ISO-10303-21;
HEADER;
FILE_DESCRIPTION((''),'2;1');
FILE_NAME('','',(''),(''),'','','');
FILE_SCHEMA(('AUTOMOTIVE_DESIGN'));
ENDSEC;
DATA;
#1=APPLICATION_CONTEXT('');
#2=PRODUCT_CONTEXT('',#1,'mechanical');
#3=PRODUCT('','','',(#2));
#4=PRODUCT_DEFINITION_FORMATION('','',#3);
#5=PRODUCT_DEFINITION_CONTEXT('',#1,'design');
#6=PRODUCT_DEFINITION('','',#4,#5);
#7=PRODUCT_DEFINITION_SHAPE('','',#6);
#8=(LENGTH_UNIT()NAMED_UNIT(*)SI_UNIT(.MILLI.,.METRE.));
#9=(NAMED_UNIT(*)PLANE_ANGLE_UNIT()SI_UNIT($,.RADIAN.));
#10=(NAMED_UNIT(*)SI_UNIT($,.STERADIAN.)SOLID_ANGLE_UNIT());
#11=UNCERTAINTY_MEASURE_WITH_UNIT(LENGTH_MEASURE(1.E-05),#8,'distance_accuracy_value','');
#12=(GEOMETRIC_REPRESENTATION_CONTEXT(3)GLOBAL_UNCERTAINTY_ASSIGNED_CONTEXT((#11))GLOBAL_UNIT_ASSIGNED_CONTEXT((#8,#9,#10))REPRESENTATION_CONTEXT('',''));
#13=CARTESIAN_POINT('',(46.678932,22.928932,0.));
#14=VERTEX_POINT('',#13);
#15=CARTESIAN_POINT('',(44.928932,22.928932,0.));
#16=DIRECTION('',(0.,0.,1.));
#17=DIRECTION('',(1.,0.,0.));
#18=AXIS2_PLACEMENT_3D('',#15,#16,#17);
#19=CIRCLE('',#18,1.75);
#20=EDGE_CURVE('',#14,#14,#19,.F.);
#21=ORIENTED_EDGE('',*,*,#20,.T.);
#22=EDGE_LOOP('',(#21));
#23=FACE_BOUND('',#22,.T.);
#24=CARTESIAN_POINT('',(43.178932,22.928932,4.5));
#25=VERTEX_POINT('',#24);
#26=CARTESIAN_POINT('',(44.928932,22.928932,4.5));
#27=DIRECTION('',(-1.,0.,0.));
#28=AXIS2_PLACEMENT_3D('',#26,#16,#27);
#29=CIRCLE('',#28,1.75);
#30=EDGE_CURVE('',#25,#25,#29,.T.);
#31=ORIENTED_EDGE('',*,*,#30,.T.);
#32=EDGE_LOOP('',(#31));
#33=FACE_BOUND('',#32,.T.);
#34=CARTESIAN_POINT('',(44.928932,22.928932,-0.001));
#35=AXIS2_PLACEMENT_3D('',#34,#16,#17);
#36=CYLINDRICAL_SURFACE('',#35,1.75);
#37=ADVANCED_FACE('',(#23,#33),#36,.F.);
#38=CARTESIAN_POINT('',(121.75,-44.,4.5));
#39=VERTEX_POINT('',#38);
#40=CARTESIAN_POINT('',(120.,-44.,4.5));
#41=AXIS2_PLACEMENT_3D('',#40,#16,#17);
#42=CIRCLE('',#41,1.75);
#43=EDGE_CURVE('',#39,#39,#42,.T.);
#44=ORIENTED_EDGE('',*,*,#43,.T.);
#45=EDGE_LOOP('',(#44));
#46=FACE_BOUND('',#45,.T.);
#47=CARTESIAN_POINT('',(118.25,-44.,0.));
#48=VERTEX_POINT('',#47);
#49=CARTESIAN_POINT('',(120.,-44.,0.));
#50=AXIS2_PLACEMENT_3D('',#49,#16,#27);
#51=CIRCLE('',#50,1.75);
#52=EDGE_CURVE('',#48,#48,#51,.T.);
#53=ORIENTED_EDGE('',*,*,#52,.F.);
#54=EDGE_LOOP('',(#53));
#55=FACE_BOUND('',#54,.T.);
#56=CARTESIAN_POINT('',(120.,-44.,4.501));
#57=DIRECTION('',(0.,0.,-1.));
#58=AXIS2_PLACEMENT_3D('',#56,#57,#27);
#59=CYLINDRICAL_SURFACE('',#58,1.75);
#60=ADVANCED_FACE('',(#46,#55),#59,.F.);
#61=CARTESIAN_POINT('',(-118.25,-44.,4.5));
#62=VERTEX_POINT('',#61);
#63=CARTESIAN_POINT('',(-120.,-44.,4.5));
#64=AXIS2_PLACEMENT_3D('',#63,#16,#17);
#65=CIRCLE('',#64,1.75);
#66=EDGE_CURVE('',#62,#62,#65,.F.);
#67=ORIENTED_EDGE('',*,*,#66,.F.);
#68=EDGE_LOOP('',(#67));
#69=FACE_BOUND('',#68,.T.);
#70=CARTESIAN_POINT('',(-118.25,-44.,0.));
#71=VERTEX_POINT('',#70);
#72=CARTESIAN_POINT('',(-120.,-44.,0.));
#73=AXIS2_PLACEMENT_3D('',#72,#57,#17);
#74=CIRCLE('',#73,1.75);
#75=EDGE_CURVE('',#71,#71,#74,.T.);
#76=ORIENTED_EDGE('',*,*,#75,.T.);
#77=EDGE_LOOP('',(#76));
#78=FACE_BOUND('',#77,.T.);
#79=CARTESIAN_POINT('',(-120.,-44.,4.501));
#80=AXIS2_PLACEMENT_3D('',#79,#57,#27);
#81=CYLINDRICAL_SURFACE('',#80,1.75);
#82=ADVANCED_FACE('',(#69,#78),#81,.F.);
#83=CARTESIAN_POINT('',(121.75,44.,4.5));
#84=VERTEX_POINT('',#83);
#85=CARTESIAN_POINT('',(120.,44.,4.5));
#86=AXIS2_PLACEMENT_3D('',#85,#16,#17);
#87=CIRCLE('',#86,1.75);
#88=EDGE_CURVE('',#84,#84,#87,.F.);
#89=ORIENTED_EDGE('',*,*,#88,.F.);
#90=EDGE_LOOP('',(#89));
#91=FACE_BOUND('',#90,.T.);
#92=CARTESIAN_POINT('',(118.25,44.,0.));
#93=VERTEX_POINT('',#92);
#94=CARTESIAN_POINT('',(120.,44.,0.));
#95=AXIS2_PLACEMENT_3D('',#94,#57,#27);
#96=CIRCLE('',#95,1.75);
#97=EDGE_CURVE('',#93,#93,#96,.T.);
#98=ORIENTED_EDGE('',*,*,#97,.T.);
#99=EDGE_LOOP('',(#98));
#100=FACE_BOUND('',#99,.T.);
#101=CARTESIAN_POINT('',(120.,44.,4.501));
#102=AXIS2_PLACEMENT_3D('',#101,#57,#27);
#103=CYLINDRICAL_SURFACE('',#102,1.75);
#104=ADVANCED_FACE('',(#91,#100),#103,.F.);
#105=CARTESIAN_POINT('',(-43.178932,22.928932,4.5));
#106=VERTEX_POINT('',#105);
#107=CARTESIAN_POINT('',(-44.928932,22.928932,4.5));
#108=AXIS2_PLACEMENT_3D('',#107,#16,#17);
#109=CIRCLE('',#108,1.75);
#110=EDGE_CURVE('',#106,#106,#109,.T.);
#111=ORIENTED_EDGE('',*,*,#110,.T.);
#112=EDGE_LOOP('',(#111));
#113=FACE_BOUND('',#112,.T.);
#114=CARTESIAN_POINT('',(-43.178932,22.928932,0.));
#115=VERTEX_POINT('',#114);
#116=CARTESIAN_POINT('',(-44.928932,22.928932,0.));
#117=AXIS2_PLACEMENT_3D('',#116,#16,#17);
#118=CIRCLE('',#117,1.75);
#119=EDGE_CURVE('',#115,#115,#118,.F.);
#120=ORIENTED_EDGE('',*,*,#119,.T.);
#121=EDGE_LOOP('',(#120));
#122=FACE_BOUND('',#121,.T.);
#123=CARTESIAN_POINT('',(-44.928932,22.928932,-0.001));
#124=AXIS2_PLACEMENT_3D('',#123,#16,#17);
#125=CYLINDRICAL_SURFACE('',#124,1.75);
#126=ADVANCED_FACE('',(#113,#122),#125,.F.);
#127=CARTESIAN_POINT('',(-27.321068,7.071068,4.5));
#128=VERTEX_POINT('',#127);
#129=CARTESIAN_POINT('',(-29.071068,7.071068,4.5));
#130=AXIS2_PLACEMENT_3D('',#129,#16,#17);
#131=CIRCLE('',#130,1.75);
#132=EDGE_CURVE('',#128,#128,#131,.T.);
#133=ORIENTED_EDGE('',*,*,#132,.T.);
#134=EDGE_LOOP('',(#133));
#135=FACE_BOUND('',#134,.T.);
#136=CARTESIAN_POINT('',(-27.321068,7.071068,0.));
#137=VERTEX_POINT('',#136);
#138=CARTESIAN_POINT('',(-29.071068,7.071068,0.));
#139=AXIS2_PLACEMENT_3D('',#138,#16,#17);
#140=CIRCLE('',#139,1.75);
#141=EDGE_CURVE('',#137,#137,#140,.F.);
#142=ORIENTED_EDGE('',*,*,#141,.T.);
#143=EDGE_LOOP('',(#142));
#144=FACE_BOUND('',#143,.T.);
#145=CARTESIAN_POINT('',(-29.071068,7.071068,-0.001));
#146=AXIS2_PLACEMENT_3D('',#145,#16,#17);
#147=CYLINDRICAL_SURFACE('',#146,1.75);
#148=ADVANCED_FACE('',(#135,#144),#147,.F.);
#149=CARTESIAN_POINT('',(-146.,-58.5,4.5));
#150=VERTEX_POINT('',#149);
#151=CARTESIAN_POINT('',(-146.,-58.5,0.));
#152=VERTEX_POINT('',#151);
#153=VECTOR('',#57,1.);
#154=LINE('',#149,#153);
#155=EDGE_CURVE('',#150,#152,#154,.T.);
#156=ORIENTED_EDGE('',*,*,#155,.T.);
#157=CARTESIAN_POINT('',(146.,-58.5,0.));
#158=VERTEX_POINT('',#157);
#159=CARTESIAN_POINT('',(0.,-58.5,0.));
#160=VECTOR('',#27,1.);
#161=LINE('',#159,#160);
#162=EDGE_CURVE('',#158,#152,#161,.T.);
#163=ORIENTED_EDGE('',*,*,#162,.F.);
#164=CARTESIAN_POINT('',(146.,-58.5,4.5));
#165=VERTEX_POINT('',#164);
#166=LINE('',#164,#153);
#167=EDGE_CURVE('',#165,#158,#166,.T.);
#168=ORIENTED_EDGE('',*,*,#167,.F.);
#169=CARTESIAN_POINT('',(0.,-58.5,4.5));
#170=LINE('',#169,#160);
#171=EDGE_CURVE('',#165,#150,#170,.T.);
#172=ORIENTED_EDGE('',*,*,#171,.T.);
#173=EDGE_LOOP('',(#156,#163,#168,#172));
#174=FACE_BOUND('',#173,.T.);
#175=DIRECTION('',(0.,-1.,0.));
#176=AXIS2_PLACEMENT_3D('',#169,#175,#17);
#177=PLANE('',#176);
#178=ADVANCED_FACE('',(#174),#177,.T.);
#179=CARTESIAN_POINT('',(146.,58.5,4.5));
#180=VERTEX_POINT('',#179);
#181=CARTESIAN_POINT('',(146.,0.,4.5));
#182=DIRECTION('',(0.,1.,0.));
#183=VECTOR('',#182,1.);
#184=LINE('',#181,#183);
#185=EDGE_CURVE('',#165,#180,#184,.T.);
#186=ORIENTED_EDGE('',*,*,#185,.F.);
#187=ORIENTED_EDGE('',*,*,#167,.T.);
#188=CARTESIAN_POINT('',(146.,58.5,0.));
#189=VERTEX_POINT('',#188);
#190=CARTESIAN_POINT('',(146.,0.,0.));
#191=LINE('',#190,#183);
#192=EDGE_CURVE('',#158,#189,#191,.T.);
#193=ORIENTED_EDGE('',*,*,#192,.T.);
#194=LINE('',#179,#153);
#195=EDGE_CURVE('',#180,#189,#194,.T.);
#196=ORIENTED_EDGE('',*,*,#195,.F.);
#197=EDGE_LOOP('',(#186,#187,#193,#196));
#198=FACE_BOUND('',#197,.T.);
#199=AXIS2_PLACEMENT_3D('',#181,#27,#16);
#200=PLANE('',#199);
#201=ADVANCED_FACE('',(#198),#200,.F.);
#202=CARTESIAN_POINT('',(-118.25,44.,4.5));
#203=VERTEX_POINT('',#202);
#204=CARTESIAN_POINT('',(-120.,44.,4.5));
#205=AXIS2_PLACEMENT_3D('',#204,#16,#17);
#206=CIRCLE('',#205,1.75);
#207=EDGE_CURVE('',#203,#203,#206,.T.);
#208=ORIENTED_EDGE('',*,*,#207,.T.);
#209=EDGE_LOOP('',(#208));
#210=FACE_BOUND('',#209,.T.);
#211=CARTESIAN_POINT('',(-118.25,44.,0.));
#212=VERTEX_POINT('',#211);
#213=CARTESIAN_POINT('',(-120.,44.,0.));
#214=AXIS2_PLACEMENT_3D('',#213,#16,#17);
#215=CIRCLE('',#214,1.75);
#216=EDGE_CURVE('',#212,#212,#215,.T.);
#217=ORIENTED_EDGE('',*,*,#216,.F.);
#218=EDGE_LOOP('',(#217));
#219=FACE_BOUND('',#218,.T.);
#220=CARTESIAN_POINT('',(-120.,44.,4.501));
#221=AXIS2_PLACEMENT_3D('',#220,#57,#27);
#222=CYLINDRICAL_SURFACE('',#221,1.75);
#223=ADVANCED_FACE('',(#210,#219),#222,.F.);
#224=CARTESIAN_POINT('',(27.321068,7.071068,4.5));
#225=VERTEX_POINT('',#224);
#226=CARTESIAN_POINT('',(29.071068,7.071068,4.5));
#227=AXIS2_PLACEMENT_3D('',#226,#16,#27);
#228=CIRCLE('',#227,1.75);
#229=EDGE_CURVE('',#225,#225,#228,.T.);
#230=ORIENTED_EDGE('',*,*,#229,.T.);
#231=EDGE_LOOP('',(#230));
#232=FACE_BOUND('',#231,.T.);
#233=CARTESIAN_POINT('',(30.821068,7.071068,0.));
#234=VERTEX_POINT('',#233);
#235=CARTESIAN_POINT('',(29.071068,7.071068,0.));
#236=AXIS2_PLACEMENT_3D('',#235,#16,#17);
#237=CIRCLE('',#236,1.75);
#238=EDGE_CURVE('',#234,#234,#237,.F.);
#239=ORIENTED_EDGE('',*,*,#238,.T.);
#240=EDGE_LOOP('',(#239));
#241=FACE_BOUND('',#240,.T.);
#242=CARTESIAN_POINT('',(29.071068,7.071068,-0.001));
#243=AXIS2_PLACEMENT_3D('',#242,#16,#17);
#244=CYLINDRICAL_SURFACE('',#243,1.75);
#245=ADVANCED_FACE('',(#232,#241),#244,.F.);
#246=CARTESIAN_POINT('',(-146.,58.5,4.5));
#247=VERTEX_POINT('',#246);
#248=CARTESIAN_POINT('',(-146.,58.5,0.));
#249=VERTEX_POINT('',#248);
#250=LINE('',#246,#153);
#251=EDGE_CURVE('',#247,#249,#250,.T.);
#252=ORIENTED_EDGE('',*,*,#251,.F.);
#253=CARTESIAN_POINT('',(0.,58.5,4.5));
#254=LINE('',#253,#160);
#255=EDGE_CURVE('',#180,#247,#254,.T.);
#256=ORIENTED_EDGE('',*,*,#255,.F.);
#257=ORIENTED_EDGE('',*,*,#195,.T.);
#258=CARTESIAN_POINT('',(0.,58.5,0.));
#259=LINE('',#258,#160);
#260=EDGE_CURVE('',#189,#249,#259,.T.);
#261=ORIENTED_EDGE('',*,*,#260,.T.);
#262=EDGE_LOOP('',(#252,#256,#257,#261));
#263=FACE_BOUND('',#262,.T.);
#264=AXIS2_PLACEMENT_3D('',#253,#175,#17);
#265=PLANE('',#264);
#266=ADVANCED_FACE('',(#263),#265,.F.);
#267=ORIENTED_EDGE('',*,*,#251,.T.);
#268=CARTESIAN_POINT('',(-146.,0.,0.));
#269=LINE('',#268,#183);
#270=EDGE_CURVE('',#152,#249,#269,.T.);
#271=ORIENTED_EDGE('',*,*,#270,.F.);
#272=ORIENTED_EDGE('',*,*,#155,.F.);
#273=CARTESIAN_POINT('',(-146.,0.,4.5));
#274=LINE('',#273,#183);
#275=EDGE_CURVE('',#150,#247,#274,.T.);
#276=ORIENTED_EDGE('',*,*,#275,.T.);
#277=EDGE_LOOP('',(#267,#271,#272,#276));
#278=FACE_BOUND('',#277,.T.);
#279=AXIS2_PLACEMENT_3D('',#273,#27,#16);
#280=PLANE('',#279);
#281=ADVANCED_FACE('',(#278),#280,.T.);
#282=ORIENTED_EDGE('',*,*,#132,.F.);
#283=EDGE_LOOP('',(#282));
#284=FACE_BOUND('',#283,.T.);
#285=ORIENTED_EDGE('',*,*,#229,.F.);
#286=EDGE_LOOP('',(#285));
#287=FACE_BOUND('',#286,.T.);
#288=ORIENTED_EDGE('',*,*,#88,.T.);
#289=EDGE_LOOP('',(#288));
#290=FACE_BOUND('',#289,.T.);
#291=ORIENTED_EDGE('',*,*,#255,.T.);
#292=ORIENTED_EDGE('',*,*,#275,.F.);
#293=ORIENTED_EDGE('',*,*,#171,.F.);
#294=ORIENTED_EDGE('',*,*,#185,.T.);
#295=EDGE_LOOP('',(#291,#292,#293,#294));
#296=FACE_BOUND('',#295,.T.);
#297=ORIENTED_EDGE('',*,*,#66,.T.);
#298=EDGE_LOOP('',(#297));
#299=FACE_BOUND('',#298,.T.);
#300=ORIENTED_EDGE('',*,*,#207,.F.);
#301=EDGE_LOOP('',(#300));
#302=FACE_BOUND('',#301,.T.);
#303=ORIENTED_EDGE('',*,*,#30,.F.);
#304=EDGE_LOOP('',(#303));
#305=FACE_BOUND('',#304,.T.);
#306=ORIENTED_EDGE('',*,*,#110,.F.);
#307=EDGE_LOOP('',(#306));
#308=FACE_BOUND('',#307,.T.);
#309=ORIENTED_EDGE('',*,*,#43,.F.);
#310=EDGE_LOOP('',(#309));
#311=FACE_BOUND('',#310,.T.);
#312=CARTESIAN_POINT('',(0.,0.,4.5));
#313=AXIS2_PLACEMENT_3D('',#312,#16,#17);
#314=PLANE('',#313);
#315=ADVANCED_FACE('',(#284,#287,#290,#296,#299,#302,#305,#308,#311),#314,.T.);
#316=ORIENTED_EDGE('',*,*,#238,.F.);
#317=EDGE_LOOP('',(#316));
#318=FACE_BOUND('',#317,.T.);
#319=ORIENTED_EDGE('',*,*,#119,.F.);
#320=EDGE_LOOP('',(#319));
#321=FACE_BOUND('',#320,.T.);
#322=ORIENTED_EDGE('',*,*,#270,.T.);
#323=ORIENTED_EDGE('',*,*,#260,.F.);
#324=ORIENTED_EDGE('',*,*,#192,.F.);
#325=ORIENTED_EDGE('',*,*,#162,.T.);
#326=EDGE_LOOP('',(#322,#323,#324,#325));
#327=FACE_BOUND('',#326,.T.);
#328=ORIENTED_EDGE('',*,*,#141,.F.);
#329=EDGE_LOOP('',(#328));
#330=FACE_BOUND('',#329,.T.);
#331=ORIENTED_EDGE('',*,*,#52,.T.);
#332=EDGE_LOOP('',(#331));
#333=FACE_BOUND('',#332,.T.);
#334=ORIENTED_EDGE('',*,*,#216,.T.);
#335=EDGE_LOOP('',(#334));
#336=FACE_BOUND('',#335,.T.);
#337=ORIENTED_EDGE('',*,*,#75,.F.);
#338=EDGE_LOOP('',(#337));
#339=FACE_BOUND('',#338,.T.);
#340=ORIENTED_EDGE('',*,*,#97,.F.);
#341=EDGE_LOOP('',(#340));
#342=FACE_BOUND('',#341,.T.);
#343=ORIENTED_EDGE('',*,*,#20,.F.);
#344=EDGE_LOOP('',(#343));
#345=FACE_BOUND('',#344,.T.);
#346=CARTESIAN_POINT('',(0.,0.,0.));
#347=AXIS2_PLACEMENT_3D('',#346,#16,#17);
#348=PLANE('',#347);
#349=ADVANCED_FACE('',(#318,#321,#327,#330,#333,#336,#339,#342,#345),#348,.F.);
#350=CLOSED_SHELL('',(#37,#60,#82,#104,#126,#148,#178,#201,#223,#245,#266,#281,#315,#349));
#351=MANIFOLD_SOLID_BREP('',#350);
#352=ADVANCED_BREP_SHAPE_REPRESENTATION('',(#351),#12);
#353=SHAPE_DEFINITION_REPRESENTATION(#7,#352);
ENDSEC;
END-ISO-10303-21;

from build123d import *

# Parameters (mm, degrees)
SKETCH1_W               = 292
SKETCH1_H               = 117
BOSS_EXTRUDE1_DEPTH     = 4.5
CUT_EXTRUDE1_REACH      = 159.348
SKETCH1_3_R             = 1.75
MIRROR3_COPY_1_REACH    = 159.348
MIRROR3_COPY_1_SKETCH_R = 1.75
MIRROR3_COPY_2_REACH    = 159.348
MIRROR3_COPY_2_SKETCH_R = 1.75
CUT_EXTRUDE2_REACH      = 159.348
SKETCH2_R               = 1.75


with BuildPart() as part:
    # Sketch1 → Boss-Extrude1 (new body)
    with BuildSketch(Plane.XY):
        Rectangle(SKETCH1_W, SKETCH1_H)
    extrude(amount=BOSS_EXTRUDE1_DEPTH)

    # Sketch1<3> → Cut-Extrude1 (cut, up to next)
    with BuildSketch(Plane.XY, mode=Mode.PRIVATE) as cut_extrude1_sk1:
        with Locations((-120, 44)):
            Circle(SKETCH1_3_R)
    cut_extrude1_tool1 = extrude(cut_extrude1_sk1.sketch, amount=CUT_EXTRUDE1_REACH, mode=Mode.PRIVATE) & part.part
    cut_extrude1 = cut_extrude1_tool1.solids().sort_by_distance((-120, 44, 0))[0]
    add(cut_extrude1, mode=Mode.SUBTRACT)

    # Mirror2: Cut-Extrude1 across plane
    add(cut_extrude1.mirror(Plane.ZX), mode=Mode.SUBTRACT)

    # Mirror3 copy 1 sketch → Mirror3 copy 1 (cut, up to next)
    with BuildSketch(Plane(origin=(0, 0, 0), x_dir=(-1, 0, 0), z_dir=(0, 0, 1)), mode=Mode.PRIVATE) as mirror3_copy_1_sk1:
        with Locations((-120, 44)):
            Circle(MIRROR3_COPY_1_SKETCH_R)
    mirror3_copy_1_tool1 = extrude(mirror3_copy_1_sk1.sketch, amount=MIRROR3_COPY_1_REACH, mode=Mode.PRIVATE) & part.part
    add(mirror3_copy_1_tool1.solids().sort_by_distance((120, -44, 0))[0], mode=Mode.SUBTRACT)

    # Mirror3 copy 2 sketch → Mirror3 copy 2 (cut, up to next)
    with BuildSketch(Plane(origin=(0, 0, 0), x_dir=(-1, 0, 0), z_dir=(0, 0, 1)), mode=Mode.PRIVATE) as mirror3_copy_2_sk1:
        with Locations((-120, -44)):
            Circle(MIRROR3_COPY_2_SKETCH_R)
    mirror3_copy_2_tool1 = extrude(mirror3_copy_2_sk1.sketch, amount=MIRROR3_COPY_2_REACH, mode=Mode.PRIVATE) & part.part
    add(mirror3_copy_2_tool1.solids().sort_by_distance((120, 44, 0))[0], mode=Mode.SUBTRACT)

    # Sketch2 → Cut-Extrude2 (cut, up to next)
    with BuildSketch(Plane.XY.offset(4.5), mode=Mode.PRIVATE) as cut_extrude2_sk1:
        with Locations((-29.071067812, 7.071067812)):
            Circle(SKETCH2_R)
    cut_extrude2_tool1 = extrude(cut_extrude2_sk1.sketch, amount=-CUT_EXTRUDE2_REACH, mode=Mode.PRIVATE) & part.part
    # Sketch2 → Cut-Extrude2 (cut, up to next)
    with BuildSketch(Plane.XY.offset(4.5), mode=Mode.PRIVATE) as cut_extrude2_sk2:
        with Locations((-44.928932188, 22.928932188)):
            Circle(SKETCH2_R)
    cut_extrude2_tool2 = extrude(cut_extrude2_sk2.sketch, amount=-CUT_EXTRUDE2_REACH, mode=Mode.PRIVATE) & part.part
    # Sketch2 → Cut-Extrude2 (cut, up to next)
    with BuildSketch(Plane.XY.offset(4.5), mode=Mode.PRIVATE) as cut_extrude2_sk3:
        with Locations((44.928932188, 22.928932188)):
            Circle(SKETCH2_R)
    cut_extrude2_tool3 = extrude(cut_extrude2_sk3.sketch, amount=-CUT_EXTRUDE2_REACH, mode=Mode.PRIVATE) & part.part
    # Sketch2 → Cut-Extrude2 (cut, up to next)
    with BuildSketch(Plane.XY.offset(4.5), mode=Mode.PRIVATE) as cut_extrude2_sk4:
        with Locations((29.071067812, 7.071067812)):
            Circle(SKETCH2_R)
    cut_extrude2_tool4 = extrude(cut_extrude2_sk4.sketch, amount=-CUT_EXTRUDE2_REACH, mode=Mode.PRIVATE) & part.part
    add(cut_extrude2_tool1.solids().sort_by_distance((-29.071068, 7.071068, 4.5))[0], mode=Mode.SUBTRACT)
    add(cut_extrude2_tool2.solids().sort_by_distance((-44.928932, 22.928932, 4.5))[0], mode=Mode.SUBTRACT)
    add(cut_extrude2_tool3.solids().sort_by_distance((44.928932, 22.928932, 4.5))[0], mode=Mode.SUBTRACT)
    add(cut_extrude2_tool4.solids().sort_by_distance((29.071068, 7.071068, 4.5))[0], mode=Mode.SUBTRACT)


solid = part.part
